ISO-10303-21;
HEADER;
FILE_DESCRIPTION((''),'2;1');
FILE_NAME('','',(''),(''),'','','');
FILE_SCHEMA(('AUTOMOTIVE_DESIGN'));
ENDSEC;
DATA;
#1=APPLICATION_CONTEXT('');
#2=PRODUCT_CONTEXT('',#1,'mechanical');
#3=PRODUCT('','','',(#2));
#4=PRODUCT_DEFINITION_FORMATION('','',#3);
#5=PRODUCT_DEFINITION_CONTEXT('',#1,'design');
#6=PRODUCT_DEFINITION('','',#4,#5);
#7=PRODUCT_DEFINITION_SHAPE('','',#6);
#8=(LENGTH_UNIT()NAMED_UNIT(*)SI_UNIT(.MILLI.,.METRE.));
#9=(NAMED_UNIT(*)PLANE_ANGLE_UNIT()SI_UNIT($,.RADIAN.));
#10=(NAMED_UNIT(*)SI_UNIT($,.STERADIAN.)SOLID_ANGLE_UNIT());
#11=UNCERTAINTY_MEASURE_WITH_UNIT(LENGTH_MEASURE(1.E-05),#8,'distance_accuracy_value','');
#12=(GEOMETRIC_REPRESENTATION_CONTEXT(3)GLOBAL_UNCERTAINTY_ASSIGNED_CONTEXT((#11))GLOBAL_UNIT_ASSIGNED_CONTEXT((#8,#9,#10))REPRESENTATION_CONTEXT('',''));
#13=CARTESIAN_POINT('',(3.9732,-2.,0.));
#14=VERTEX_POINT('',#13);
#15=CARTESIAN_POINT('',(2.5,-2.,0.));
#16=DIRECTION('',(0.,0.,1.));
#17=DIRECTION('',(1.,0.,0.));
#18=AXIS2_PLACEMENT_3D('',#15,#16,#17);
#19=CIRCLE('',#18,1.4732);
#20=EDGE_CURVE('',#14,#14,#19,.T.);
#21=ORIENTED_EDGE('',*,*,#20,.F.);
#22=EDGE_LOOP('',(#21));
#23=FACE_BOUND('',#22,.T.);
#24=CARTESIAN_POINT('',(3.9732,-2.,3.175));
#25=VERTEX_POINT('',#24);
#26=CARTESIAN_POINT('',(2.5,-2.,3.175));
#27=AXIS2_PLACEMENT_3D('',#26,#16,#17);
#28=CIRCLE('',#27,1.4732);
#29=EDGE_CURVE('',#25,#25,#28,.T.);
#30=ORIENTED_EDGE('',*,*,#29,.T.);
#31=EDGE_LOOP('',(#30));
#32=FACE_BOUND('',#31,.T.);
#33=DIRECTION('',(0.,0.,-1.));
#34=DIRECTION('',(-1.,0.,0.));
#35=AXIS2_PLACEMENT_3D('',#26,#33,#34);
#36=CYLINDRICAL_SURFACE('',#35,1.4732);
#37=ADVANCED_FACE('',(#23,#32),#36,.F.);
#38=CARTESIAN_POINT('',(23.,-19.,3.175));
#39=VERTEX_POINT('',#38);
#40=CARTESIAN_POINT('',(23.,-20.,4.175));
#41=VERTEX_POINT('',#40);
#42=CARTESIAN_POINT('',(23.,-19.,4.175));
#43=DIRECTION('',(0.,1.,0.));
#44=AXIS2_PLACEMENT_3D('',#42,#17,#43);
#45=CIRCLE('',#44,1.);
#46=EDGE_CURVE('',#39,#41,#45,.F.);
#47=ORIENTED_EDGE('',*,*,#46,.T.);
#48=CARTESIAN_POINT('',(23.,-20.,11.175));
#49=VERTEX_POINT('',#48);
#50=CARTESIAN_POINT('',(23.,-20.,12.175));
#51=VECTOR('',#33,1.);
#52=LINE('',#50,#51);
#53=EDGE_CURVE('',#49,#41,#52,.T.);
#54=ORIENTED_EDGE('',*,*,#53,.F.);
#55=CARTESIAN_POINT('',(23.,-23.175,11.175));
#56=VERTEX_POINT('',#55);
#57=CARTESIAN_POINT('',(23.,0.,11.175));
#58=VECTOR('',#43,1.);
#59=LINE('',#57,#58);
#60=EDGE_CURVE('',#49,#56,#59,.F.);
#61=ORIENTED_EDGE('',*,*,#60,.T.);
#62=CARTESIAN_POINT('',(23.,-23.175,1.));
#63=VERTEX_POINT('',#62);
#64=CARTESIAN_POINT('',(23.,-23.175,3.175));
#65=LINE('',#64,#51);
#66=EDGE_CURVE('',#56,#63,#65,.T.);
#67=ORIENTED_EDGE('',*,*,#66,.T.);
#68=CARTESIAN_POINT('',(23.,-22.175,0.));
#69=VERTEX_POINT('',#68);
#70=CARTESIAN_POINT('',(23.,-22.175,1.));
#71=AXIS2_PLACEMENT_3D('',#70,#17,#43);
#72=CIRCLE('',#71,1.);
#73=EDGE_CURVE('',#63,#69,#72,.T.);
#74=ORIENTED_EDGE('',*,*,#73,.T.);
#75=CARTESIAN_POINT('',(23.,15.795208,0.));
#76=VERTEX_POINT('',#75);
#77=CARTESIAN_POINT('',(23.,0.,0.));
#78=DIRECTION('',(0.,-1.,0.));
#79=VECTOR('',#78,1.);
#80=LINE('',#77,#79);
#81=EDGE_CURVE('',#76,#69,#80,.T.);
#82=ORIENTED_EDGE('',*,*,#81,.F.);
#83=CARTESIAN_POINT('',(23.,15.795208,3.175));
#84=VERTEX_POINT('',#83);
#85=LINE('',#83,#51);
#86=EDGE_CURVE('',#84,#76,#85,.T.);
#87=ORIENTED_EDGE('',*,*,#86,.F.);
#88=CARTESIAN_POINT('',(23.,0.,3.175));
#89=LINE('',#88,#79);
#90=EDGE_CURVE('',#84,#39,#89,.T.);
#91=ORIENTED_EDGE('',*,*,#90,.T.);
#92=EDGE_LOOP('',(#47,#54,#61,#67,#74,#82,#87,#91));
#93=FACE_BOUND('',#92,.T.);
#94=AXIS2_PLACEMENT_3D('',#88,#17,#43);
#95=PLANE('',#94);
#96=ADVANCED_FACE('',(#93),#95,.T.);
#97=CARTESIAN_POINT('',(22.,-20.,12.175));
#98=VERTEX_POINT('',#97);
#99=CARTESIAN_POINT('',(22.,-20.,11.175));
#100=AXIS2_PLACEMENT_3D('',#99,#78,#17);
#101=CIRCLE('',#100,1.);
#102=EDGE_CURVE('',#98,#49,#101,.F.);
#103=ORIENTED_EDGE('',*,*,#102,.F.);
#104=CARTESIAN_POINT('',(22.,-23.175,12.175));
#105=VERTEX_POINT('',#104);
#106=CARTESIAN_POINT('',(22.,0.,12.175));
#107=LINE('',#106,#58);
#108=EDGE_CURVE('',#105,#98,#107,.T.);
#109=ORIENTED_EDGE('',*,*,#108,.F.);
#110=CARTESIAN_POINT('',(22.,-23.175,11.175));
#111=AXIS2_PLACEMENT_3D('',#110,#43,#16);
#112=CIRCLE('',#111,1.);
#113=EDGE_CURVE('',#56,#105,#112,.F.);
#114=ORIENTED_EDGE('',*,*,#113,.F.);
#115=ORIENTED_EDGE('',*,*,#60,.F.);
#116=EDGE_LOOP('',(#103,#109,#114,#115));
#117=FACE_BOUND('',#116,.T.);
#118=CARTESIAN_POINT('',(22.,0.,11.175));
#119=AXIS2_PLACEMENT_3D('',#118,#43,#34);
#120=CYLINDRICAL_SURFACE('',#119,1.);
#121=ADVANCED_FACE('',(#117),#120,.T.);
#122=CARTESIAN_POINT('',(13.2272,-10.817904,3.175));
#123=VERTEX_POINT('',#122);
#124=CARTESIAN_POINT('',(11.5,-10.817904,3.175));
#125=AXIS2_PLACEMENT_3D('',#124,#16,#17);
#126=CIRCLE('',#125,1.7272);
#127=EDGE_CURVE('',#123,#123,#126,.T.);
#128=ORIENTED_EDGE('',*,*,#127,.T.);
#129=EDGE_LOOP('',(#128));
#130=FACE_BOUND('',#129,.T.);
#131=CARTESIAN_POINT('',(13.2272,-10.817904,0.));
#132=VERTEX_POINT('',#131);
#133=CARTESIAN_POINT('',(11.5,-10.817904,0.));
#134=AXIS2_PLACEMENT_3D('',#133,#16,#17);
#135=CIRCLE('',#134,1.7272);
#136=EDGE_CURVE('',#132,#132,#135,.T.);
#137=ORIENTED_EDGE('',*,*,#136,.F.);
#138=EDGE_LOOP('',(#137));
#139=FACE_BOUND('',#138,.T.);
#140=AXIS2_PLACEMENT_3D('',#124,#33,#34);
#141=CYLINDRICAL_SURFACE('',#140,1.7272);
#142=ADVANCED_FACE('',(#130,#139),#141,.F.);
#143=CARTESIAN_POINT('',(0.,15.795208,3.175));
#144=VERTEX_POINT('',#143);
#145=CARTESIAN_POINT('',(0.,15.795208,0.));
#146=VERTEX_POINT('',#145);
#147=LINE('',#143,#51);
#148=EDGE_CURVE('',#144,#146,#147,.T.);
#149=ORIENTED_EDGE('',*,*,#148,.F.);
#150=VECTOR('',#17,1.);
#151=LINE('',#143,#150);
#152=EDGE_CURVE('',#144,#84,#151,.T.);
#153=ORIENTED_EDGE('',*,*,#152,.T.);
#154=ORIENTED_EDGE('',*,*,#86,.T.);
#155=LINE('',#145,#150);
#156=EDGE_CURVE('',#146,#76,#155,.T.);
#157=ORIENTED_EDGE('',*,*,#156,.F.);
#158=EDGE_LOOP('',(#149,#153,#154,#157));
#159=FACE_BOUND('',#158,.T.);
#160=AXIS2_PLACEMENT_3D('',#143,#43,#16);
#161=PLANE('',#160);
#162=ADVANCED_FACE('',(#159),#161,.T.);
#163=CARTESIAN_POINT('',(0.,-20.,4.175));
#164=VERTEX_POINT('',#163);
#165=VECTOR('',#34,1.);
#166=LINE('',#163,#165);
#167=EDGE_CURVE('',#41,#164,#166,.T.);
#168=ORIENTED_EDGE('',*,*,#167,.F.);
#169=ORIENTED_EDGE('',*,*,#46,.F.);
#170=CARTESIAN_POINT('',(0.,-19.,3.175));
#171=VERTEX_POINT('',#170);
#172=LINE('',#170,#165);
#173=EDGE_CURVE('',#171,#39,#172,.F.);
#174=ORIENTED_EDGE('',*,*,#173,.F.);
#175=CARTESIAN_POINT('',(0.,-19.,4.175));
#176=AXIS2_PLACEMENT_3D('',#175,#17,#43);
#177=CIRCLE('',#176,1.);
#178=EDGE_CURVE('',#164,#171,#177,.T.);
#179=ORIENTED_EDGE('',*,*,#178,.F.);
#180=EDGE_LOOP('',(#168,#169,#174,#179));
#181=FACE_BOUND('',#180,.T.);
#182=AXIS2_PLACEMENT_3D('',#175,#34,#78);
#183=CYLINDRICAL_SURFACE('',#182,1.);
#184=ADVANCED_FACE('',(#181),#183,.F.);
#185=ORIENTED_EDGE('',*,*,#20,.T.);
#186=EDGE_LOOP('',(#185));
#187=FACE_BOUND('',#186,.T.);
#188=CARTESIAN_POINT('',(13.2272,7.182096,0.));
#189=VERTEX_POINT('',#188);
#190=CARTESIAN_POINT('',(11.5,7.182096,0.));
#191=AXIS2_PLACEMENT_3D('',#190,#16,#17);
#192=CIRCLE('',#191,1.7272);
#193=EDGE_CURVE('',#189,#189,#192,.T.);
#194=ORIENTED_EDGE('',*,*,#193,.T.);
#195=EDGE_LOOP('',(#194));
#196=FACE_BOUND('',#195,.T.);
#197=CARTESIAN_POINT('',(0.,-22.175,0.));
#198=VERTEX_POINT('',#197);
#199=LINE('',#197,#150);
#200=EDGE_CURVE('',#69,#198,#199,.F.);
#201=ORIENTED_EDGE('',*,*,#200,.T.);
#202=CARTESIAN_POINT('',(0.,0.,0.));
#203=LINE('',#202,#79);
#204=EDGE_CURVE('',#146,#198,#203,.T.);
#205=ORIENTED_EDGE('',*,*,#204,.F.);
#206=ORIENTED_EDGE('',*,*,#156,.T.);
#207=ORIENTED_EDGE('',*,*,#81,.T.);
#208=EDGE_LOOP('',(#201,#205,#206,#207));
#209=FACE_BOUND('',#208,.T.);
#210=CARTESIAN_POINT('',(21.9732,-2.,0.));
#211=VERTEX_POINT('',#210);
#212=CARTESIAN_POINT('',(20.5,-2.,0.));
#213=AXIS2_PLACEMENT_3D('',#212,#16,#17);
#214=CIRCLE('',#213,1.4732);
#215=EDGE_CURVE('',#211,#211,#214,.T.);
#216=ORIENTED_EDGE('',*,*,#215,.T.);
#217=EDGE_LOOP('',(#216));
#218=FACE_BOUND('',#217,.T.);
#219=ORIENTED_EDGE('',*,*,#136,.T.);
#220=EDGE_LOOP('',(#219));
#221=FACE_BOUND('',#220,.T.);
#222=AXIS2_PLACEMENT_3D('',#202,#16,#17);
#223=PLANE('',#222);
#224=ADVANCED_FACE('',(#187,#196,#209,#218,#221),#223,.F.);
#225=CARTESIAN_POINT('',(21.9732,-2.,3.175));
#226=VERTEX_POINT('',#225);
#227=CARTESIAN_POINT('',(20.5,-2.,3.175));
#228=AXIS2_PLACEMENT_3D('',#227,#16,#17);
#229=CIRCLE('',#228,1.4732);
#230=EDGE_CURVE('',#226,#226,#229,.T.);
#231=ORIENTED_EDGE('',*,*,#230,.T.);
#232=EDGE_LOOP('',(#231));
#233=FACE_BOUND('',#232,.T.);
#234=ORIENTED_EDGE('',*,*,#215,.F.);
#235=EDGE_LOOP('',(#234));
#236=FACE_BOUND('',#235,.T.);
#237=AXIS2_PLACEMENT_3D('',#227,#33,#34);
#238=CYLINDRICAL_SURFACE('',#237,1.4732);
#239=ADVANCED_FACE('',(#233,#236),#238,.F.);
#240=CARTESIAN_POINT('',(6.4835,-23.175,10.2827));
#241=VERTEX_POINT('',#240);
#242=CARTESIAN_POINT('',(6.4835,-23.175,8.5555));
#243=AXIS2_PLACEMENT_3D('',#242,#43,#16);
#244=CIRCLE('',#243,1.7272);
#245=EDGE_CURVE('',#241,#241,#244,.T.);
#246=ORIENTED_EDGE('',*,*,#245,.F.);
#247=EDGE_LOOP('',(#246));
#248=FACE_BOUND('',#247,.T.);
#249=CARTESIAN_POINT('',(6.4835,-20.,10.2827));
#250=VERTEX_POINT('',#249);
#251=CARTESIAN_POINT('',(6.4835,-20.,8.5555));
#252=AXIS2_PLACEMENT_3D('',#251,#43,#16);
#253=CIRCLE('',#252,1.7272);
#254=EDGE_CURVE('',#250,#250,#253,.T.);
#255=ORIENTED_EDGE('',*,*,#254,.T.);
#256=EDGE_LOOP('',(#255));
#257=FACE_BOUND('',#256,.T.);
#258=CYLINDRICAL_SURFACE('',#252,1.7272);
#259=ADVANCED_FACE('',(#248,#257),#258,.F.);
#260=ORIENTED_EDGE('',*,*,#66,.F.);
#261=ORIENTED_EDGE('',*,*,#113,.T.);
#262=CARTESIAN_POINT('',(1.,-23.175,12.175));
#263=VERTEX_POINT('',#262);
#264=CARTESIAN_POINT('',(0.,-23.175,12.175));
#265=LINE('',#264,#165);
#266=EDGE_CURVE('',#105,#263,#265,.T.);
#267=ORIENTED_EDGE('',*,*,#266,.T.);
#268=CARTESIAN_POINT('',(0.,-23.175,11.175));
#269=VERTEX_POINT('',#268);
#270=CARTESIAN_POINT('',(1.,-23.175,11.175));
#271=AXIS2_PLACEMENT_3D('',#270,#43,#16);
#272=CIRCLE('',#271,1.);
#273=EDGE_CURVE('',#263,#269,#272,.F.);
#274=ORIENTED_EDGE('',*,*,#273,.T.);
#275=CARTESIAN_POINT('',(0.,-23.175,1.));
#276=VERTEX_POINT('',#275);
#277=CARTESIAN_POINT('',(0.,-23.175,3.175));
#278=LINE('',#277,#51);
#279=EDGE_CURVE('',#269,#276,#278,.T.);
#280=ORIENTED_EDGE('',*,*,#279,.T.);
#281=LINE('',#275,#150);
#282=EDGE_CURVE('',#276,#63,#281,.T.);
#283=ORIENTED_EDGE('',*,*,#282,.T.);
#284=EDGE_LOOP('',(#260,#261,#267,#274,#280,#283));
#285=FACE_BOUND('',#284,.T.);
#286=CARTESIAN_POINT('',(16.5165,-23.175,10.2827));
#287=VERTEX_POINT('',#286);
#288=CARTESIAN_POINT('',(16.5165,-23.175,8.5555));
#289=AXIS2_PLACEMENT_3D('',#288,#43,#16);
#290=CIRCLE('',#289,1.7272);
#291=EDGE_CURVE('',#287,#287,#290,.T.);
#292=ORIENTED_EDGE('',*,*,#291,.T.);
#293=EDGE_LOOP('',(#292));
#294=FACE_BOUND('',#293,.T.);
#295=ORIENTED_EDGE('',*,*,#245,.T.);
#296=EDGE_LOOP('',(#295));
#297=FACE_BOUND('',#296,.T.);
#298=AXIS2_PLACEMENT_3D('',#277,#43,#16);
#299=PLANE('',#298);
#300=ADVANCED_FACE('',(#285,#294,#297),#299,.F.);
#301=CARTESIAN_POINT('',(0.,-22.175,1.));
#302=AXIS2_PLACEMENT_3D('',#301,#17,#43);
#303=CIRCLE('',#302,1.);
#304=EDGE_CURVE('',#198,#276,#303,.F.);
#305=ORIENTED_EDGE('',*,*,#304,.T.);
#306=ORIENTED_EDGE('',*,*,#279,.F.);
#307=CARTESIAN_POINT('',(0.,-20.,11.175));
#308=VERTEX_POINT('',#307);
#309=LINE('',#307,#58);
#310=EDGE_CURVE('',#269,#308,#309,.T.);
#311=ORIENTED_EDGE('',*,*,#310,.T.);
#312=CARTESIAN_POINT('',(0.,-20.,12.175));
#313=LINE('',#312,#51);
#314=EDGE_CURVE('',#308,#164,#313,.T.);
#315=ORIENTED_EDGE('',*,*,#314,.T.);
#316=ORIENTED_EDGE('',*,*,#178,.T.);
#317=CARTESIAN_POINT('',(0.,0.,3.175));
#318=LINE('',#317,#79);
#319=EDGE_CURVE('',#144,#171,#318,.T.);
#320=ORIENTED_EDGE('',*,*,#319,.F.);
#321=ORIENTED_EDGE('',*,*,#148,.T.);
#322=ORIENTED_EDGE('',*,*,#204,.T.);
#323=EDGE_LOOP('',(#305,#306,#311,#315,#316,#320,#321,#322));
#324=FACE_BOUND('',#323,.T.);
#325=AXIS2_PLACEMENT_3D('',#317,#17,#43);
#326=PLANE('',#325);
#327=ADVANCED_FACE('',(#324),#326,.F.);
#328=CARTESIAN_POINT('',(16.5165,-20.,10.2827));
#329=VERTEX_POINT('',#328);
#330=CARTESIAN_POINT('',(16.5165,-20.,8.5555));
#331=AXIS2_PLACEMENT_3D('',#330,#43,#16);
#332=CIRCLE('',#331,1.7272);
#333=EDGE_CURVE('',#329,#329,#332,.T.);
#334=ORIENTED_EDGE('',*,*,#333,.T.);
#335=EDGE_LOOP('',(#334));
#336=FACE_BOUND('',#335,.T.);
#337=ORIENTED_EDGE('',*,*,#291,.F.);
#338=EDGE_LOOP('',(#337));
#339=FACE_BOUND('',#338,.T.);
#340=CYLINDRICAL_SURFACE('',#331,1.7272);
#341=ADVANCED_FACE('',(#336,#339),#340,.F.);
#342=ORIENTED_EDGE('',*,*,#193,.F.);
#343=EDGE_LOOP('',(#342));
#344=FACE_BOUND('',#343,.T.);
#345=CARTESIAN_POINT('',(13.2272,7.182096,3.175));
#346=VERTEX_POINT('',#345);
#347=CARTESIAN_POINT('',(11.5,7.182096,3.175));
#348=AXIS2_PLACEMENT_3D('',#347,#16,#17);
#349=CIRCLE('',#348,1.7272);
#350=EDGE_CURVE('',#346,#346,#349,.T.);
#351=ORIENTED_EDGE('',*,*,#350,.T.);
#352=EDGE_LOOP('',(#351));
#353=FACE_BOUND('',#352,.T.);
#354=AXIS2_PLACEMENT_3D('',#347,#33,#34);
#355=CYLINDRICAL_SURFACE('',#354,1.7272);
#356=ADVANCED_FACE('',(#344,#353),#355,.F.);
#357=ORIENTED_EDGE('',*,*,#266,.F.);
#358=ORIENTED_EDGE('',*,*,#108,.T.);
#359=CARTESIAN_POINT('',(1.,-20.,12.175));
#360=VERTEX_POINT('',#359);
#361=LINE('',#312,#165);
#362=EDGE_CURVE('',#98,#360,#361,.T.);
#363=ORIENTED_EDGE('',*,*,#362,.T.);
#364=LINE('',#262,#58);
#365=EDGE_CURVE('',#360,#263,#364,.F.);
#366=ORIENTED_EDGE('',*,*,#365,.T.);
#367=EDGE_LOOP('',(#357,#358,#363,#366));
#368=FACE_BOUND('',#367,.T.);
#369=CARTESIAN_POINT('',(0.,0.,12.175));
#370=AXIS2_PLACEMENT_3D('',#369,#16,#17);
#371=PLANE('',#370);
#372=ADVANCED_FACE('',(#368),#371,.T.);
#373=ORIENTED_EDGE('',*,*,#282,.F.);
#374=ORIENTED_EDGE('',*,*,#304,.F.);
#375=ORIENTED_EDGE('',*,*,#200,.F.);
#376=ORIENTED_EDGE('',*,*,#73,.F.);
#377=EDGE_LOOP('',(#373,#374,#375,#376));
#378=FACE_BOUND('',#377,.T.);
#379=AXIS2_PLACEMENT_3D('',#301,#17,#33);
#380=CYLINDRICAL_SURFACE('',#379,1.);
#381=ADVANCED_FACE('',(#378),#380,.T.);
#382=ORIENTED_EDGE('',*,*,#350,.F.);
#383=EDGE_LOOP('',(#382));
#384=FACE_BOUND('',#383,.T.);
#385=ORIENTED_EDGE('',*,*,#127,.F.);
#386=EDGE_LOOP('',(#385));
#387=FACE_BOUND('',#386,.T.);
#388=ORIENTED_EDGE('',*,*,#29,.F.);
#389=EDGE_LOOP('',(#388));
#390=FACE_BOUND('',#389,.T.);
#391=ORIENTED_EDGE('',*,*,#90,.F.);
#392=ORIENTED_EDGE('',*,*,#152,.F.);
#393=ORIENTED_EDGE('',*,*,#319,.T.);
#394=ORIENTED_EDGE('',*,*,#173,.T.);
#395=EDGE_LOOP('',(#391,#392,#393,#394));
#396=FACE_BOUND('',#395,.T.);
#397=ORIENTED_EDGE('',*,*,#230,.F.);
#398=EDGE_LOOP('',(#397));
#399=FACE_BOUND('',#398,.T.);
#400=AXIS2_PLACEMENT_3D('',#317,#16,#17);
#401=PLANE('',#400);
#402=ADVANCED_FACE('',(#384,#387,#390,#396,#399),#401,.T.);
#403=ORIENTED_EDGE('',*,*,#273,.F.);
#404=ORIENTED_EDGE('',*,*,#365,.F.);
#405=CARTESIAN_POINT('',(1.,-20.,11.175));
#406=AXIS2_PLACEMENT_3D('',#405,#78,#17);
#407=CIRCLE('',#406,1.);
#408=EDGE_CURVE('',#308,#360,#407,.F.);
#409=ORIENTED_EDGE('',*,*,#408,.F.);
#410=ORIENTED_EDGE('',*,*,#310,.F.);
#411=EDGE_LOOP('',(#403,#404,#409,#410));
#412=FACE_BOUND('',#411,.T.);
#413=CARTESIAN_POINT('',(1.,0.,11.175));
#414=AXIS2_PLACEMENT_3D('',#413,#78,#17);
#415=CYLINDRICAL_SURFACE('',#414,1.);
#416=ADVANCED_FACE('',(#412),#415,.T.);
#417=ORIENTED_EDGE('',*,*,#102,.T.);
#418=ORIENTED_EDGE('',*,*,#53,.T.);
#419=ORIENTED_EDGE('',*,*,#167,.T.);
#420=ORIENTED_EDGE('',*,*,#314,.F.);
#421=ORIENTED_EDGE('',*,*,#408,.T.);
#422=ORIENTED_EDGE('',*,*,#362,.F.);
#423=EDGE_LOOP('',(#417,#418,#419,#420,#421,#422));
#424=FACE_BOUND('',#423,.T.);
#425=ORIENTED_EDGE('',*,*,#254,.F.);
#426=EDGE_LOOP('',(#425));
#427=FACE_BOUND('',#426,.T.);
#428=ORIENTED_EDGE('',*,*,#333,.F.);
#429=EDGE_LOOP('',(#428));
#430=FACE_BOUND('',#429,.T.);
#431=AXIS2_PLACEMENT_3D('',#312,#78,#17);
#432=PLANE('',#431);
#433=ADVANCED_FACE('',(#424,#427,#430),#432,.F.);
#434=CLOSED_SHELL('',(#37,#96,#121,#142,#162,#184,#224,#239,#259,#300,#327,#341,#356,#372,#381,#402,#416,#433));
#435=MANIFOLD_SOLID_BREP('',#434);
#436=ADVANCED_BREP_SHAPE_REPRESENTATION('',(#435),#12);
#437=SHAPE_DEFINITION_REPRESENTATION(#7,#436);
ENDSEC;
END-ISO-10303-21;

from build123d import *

# Parameters (mm, degrees)
SKETCH1_W             = 23
SKETCH1_H             = 38.970207686
SKETCH1_R             = 1.7272
SKETCH1_R_2           = 1.4732
BOSS_EXTRUDE1_DEPTH   = 3.175
BOSS_EXTRUDE2_START   = 3.175
SKETCH1_3_W           = 23
SKETCH1_3_H           = 3.175
BOSS_EXTRUDE2_DEPTH   = 9
F_8_32_TAPPED_HOLE1_D = 3.4544
FILLET1_R             = 1


with BuildPart() as part:
    # Sketch1 → Boss-Extrude1 (new body)
    with BuildSketch(Plane.XY):
        with Locations((11.5, -3.689896157)):
            Rectangle(SKETCH1_W, SKETCH1_H)
        with Locations((11.5, -10.81790431)):
            Circle(SKETCH1_R, mode=Mode.SUBTRACT)
        with Locations((2.5, -2)):
            Circle(SKETCH1_R_2, mode=Mode.SUBTRACT)
        with Locations((20.5, -2)):
            Circle(SKETCH1_R_2, mode=Mode.SUBTRACT)
        with Locations((11.5, 7.18209569)):
            Circle(SKETCH1_R, mode=Mode.SUBTRACT)
    extrude(amount=BOSS_EXTRUDE1_DEPTH)

    # Sketch1<3> → Boss-Extrude2 (add)
    with BuildSketch(Plane.XY.offset(BOSS_EXTRUDE2_START)):
        with Locations((11.5, -21.5875)):
            Rectangle(SKETCH1_3_W, SKETCH1_3_H)
    extrude(amount=BOSS_EXTRUDE2_DEPTH)

    # #8-32 Tapped Hole1 (through all)
    with Locations(Plane(origin=(6.4835, -20, 8.5555), x_dir=(1, 0, 0), z_dir=(0, 1, 0))):
        with Locations((0, 0), (10.033, 0)):
            Hole(F_8_32_TAPPED_HOLE1_D / 2)

    # Fillet1
    fillet1_edges = [part.edges().sort_by_distance(p)[0] for p in [
        (11.5, -23.175, 0),
        (0, -21.5875, 12.175),
        (11.5, -20, 3.175),
        (23, -21.5875, 12.175),
    ]]
    fillet(fillet1_edges, radius=FILLET1_R)


solid = part.part
